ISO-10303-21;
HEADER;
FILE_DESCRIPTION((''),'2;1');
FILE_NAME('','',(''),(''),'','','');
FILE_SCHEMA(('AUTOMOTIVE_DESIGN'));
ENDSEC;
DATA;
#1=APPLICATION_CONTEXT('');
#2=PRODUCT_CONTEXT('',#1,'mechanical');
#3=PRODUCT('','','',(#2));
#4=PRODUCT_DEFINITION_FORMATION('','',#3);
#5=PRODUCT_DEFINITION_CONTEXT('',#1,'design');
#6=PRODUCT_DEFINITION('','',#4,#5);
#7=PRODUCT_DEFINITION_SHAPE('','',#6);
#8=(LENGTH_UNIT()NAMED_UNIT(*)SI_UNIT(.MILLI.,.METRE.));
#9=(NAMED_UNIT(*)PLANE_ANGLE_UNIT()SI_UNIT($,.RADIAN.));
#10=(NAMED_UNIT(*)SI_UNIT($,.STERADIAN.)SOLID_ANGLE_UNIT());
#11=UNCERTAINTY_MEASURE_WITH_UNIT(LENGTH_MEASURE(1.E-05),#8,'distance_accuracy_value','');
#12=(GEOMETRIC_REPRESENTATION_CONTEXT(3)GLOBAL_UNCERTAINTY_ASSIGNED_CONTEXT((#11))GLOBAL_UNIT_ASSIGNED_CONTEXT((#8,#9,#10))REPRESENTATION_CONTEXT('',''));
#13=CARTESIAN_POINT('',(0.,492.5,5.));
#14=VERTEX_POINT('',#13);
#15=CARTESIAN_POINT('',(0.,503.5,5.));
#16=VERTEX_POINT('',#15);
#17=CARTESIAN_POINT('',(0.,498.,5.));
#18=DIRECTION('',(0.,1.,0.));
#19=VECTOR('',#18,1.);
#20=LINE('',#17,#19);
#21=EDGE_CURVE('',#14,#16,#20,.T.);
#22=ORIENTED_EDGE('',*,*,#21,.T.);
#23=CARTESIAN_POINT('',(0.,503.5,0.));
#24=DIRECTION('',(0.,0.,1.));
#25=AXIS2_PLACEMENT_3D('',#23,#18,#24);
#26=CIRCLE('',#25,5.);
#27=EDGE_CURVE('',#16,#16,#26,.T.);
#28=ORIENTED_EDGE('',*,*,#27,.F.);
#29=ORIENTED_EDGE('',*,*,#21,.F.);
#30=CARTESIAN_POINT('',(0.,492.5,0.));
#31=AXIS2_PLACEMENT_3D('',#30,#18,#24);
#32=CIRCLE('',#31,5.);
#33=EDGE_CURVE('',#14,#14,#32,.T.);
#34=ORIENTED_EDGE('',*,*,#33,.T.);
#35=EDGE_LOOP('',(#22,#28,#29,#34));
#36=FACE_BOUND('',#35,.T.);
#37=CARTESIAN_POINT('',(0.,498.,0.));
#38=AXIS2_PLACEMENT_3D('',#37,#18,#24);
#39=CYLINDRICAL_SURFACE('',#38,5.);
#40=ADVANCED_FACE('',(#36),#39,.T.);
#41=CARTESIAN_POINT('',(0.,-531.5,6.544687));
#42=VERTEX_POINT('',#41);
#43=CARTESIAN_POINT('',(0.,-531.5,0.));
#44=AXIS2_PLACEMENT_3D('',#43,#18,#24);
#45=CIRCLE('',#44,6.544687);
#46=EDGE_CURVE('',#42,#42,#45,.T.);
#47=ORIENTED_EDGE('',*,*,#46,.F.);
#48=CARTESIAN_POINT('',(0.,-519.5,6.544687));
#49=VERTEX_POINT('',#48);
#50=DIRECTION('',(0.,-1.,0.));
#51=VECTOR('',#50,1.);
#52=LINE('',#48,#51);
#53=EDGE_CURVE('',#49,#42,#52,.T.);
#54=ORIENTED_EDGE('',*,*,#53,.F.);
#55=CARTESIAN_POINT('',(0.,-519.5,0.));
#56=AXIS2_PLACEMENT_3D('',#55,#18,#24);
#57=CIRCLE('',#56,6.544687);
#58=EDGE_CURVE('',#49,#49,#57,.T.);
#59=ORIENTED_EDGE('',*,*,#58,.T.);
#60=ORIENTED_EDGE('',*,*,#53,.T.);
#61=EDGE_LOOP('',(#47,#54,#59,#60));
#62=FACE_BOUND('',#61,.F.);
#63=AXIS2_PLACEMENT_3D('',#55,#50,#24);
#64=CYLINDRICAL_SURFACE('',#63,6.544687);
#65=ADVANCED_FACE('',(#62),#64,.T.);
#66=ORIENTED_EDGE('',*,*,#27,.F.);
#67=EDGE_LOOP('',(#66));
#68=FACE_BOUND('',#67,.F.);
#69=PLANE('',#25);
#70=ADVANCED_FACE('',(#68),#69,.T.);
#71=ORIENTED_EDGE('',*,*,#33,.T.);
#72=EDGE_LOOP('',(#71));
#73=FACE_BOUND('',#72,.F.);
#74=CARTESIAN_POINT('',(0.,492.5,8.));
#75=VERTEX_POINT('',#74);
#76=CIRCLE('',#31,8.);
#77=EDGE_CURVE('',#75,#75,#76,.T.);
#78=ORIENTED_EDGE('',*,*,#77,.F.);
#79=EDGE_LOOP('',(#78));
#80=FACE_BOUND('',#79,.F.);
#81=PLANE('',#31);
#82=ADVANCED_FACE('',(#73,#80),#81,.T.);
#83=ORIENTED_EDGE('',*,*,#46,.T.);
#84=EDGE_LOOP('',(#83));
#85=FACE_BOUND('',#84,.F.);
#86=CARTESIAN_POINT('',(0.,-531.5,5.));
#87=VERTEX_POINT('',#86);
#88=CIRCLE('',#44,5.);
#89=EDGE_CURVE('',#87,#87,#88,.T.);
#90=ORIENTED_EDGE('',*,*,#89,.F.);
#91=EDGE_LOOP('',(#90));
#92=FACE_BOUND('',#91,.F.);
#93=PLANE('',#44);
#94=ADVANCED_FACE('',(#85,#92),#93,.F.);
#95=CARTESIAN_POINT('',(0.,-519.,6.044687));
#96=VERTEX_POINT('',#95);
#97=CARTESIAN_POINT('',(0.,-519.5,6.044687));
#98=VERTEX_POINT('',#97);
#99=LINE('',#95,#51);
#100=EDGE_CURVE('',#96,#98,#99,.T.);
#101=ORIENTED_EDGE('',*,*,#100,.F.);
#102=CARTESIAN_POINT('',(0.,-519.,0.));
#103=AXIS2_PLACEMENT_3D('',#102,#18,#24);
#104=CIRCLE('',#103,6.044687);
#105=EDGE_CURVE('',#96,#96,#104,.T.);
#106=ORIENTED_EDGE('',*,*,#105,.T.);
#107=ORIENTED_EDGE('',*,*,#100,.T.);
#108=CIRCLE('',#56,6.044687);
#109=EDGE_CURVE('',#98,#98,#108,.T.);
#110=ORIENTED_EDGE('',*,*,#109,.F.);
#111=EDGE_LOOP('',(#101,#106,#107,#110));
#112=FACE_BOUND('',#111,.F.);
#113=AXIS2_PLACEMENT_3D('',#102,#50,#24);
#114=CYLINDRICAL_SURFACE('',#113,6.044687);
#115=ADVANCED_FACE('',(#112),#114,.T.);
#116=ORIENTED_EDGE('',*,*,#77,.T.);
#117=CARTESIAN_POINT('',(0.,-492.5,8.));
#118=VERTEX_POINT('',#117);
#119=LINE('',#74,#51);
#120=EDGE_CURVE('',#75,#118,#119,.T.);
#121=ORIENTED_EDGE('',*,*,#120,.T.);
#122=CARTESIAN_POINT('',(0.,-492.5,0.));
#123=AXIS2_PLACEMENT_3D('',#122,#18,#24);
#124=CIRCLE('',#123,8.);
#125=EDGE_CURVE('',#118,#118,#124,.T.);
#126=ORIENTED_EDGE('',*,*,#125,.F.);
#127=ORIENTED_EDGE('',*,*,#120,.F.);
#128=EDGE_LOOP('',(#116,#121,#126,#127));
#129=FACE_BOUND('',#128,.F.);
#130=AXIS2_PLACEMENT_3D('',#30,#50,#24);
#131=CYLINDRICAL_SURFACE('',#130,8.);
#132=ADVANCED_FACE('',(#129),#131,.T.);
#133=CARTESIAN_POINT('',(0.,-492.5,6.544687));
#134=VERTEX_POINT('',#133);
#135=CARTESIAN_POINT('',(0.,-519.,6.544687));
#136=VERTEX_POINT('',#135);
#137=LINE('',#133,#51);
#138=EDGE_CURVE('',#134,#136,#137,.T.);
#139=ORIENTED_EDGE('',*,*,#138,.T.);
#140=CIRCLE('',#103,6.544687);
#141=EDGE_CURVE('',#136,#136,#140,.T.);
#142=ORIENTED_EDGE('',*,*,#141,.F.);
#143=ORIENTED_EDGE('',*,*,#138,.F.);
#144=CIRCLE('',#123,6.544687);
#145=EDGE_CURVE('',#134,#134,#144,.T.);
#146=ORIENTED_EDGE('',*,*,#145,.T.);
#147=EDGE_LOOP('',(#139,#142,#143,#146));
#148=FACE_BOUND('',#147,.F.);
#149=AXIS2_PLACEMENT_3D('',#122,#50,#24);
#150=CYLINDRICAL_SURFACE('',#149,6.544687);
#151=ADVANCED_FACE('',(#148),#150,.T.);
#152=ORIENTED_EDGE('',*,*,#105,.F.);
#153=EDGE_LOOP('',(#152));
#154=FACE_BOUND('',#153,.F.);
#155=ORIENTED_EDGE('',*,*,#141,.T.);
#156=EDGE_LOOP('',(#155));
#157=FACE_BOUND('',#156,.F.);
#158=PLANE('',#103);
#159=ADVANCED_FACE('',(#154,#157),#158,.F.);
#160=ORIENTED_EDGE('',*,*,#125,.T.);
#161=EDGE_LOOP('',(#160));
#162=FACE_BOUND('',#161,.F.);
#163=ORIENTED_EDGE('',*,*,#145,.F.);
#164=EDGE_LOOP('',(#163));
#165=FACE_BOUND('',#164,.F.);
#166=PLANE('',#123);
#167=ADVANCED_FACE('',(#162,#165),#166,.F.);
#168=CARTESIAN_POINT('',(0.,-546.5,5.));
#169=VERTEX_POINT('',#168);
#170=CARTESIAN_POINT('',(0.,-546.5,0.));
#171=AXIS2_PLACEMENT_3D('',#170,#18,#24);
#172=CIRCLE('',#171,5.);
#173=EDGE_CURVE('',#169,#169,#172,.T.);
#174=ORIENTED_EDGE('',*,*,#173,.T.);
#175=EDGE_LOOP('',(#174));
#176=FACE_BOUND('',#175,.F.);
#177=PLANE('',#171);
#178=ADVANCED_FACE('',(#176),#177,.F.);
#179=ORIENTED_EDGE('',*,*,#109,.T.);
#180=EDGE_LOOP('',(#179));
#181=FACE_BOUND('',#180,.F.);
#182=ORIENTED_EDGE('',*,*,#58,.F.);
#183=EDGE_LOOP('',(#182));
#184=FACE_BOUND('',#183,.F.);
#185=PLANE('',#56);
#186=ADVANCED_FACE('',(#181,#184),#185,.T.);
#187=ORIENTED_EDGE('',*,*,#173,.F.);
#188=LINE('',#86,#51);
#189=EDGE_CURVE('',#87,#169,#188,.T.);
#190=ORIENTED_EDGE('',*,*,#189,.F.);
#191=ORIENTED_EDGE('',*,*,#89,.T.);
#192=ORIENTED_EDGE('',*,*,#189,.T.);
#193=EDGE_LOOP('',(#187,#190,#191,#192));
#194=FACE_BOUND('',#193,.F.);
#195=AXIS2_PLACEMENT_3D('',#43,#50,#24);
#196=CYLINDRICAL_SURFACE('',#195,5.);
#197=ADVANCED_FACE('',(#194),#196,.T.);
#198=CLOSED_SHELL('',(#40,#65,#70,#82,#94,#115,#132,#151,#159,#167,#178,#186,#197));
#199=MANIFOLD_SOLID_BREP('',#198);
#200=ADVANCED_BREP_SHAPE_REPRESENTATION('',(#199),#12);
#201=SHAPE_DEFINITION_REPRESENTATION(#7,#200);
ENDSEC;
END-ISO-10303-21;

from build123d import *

# Parameters (mm, degrees)
F0_W = 11
F0_H = 5


with BuildPart() as f1:
    # F0 (on Right) → F1 (revolve)
    with BuildSketch(Plane.YZ):
        Polygon((-492.5, 6.544687), (-492.5, 0), (-432.300255, 0), (492.5, 0), (492.5, 5), (492.5, 8), (-492.5, 8), align=None)
        Polygon((-531.5, 0), (-492.5, 0), (-492.5, 6.544687), (-519, 6.544687), (-519, 6.044687), (-519.5, 6.044687), (-519.5, 6.544687), (-531.5, 6.544687), (-531.5, 5), (-546.5, 5), (-546.5, 0), align=None)
        with Locations((498, 2.5)):
            Rectangle(F0_W, F0_H)
    revolve(axis=Axis((0, 0, 0), (0, 1, 0)))


solid = f1.part
